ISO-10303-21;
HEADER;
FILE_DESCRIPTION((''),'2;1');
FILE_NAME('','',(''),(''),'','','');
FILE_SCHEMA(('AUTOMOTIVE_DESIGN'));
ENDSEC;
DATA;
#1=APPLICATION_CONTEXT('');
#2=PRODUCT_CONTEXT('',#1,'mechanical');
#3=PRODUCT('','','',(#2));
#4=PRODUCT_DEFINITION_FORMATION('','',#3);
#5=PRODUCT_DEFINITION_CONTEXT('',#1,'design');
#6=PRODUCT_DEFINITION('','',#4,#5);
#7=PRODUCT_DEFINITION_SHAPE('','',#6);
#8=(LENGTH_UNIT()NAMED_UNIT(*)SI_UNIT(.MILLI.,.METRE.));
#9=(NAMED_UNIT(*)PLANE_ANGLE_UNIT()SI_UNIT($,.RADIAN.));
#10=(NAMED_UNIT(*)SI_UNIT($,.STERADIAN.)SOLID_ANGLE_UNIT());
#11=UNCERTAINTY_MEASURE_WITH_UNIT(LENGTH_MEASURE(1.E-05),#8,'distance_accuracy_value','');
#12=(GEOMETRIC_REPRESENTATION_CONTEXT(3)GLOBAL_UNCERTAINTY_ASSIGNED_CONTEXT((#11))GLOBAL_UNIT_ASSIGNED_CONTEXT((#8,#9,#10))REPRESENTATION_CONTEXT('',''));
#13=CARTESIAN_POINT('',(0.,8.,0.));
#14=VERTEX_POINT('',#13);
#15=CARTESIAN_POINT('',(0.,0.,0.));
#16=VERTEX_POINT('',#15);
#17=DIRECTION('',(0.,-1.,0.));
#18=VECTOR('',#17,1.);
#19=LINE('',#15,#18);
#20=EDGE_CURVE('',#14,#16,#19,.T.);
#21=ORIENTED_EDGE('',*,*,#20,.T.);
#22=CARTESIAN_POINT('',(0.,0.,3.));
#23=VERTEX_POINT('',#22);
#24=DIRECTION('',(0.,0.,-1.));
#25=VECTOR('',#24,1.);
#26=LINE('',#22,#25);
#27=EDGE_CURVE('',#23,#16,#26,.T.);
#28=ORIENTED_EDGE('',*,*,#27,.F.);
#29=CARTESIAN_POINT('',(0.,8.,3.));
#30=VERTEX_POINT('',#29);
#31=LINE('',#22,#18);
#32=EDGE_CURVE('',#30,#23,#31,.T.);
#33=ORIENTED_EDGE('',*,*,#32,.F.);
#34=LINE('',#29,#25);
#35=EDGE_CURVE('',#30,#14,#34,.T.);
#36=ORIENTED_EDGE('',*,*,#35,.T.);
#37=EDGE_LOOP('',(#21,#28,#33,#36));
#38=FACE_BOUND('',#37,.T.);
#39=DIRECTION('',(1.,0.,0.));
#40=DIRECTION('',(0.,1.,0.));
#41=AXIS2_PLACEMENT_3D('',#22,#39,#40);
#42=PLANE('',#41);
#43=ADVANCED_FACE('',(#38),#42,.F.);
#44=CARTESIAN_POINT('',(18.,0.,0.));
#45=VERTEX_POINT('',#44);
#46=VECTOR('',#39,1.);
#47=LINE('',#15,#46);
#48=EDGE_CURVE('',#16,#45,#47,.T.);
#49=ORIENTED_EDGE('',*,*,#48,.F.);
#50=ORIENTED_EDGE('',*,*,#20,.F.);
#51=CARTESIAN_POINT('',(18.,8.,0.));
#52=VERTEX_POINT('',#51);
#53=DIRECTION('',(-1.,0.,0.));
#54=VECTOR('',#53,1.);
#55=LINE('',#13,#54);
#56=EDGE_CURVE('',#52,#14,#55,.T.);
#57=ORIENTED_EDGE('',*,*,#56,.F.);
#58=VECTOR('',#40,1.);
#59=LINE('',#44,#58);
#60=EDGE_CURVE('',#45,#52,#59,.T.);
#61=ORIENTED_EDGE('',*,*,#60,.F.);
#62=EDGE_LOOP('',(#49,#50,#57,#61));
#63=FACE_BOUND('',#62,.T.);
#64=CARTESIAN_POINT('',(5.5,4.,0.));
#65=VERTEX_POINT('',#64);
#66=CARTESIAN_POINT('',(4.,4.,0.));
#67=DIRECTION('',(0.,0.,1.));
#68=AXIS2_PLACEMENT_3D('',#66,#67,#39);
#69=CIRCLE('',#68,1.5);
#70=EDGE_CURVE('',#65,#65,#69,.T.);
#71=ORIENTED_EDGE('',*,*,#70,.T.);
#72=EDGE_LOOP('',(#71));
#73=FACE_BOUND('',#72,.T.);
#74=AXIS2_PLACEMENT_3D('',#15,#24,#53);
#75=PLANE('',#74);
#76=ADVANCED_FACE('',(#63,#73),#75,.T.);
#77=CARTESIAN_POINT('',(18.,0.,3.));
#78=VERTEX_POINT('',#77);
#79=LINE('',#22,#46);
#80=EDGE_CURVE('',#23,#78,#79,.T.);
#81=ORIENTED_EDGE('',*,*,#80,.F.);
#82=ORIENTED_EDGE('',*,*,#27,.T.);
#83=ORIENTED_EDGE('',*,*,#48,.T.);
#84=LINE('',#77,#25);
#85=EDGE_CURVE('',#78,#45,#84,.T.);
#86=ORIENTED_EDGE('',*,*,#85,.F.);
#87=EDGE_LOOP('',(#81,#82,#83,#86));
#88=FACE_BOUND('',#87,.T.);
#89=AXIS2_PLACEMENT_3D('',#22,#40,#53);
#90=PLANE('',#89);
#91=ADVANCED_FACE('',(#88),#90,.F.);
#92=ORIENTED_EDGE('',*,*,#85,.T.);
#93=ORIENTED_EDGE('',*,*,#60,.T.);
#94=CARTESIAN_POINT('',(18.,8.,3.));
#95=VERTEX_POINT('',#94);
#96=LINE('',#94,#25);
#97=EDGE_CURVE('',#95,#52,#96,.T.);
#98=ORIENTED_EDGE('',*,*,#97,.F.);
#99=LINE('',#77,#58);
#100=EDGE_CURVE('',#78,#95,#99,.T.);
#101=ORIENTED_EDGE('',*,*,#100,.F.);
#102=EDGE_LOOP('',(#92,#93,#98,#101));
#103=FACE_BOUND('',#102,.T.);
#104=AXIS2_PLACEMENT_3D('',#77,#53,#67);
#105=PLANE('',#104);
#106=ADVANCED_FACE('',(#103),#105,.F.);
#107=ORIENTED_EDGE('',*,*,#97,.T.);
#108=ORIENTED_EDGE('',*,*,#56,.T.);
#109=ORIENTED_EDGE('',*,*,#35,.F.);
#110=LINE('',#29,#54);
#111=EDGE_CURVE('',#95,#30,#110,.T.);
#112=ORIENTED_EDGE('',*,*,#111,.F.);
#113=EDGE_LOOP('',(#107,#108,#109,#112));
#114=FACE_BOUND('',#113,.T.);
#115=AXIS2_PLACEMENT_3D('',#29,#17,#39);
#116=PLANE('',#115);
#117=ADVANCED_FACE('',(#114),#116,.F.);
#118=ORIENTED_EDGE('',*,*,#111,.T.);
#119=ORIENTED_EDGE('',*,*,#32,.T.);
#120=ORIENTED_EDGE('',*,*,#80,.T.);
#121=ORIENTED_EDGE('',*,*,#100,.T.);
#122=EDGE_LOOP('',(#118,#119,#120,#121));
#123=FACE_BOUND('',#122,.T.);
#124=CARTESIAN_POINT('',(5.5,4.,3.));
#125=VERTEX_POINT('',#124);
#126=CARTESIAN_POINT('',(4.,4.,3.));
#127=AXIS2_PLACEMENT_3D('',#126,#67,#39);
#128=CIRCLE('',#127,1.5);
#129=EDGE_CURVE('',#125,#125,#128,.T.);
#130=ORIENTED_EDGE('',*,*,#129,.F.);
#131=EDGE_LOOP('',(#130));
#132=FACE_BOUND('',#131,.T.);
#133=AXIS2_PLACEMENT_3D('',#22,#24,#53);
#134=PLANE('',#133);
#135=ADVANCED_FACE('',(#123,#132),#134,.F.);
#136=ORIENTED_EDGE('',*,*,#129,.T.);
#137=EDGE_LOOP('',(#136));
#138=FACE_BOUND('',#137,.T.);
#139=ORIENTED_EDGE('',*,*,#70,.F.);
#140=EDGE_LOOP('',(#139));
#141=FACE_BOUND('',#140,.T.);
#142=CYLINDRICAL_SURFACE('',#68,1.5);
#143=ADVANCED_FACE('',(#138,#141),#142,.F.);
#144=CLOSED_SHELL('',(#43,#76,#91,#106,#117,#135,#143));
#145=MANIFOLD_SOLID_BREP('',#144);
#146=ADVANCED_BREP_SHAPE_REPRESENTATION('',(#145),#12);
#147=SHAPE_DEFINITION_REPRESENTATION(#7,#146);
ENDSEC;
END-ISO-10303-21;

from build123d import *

# Parameters (mm, degrees)
SKETCH_1_W          = 18
SKETCH_1_H          = 8
EXTRUDE_1_DEPTH     = 3
SKETCH_2_R          = 1.5
CUT_EXTRUDE_1_DEPTH = 20.924858845


with BuildPart() as part:
    # Эскиз1 → Бобышка-Вытянуть1 (new body)
    with BuildSketch(Plane.XY):
        with Locations((9, 4)):
            Rectangle(SKETCH_1_W, SKETCH_1_H)
    extrude(amount=EXTRUDE_1_DEPTH)

    # Эскиз2 → Вырез-Вытянуть1 (cut, through all)
    with BuildSketch(Plane.XY.offset(3)):
        with Locations((4, 4)):
            Circle(SKETCH_2_R)
    extrude(amount=-CUT_EXTRUDE_1_DEPTH, mode=Mode.SUBTRACT)


solid = part.part
